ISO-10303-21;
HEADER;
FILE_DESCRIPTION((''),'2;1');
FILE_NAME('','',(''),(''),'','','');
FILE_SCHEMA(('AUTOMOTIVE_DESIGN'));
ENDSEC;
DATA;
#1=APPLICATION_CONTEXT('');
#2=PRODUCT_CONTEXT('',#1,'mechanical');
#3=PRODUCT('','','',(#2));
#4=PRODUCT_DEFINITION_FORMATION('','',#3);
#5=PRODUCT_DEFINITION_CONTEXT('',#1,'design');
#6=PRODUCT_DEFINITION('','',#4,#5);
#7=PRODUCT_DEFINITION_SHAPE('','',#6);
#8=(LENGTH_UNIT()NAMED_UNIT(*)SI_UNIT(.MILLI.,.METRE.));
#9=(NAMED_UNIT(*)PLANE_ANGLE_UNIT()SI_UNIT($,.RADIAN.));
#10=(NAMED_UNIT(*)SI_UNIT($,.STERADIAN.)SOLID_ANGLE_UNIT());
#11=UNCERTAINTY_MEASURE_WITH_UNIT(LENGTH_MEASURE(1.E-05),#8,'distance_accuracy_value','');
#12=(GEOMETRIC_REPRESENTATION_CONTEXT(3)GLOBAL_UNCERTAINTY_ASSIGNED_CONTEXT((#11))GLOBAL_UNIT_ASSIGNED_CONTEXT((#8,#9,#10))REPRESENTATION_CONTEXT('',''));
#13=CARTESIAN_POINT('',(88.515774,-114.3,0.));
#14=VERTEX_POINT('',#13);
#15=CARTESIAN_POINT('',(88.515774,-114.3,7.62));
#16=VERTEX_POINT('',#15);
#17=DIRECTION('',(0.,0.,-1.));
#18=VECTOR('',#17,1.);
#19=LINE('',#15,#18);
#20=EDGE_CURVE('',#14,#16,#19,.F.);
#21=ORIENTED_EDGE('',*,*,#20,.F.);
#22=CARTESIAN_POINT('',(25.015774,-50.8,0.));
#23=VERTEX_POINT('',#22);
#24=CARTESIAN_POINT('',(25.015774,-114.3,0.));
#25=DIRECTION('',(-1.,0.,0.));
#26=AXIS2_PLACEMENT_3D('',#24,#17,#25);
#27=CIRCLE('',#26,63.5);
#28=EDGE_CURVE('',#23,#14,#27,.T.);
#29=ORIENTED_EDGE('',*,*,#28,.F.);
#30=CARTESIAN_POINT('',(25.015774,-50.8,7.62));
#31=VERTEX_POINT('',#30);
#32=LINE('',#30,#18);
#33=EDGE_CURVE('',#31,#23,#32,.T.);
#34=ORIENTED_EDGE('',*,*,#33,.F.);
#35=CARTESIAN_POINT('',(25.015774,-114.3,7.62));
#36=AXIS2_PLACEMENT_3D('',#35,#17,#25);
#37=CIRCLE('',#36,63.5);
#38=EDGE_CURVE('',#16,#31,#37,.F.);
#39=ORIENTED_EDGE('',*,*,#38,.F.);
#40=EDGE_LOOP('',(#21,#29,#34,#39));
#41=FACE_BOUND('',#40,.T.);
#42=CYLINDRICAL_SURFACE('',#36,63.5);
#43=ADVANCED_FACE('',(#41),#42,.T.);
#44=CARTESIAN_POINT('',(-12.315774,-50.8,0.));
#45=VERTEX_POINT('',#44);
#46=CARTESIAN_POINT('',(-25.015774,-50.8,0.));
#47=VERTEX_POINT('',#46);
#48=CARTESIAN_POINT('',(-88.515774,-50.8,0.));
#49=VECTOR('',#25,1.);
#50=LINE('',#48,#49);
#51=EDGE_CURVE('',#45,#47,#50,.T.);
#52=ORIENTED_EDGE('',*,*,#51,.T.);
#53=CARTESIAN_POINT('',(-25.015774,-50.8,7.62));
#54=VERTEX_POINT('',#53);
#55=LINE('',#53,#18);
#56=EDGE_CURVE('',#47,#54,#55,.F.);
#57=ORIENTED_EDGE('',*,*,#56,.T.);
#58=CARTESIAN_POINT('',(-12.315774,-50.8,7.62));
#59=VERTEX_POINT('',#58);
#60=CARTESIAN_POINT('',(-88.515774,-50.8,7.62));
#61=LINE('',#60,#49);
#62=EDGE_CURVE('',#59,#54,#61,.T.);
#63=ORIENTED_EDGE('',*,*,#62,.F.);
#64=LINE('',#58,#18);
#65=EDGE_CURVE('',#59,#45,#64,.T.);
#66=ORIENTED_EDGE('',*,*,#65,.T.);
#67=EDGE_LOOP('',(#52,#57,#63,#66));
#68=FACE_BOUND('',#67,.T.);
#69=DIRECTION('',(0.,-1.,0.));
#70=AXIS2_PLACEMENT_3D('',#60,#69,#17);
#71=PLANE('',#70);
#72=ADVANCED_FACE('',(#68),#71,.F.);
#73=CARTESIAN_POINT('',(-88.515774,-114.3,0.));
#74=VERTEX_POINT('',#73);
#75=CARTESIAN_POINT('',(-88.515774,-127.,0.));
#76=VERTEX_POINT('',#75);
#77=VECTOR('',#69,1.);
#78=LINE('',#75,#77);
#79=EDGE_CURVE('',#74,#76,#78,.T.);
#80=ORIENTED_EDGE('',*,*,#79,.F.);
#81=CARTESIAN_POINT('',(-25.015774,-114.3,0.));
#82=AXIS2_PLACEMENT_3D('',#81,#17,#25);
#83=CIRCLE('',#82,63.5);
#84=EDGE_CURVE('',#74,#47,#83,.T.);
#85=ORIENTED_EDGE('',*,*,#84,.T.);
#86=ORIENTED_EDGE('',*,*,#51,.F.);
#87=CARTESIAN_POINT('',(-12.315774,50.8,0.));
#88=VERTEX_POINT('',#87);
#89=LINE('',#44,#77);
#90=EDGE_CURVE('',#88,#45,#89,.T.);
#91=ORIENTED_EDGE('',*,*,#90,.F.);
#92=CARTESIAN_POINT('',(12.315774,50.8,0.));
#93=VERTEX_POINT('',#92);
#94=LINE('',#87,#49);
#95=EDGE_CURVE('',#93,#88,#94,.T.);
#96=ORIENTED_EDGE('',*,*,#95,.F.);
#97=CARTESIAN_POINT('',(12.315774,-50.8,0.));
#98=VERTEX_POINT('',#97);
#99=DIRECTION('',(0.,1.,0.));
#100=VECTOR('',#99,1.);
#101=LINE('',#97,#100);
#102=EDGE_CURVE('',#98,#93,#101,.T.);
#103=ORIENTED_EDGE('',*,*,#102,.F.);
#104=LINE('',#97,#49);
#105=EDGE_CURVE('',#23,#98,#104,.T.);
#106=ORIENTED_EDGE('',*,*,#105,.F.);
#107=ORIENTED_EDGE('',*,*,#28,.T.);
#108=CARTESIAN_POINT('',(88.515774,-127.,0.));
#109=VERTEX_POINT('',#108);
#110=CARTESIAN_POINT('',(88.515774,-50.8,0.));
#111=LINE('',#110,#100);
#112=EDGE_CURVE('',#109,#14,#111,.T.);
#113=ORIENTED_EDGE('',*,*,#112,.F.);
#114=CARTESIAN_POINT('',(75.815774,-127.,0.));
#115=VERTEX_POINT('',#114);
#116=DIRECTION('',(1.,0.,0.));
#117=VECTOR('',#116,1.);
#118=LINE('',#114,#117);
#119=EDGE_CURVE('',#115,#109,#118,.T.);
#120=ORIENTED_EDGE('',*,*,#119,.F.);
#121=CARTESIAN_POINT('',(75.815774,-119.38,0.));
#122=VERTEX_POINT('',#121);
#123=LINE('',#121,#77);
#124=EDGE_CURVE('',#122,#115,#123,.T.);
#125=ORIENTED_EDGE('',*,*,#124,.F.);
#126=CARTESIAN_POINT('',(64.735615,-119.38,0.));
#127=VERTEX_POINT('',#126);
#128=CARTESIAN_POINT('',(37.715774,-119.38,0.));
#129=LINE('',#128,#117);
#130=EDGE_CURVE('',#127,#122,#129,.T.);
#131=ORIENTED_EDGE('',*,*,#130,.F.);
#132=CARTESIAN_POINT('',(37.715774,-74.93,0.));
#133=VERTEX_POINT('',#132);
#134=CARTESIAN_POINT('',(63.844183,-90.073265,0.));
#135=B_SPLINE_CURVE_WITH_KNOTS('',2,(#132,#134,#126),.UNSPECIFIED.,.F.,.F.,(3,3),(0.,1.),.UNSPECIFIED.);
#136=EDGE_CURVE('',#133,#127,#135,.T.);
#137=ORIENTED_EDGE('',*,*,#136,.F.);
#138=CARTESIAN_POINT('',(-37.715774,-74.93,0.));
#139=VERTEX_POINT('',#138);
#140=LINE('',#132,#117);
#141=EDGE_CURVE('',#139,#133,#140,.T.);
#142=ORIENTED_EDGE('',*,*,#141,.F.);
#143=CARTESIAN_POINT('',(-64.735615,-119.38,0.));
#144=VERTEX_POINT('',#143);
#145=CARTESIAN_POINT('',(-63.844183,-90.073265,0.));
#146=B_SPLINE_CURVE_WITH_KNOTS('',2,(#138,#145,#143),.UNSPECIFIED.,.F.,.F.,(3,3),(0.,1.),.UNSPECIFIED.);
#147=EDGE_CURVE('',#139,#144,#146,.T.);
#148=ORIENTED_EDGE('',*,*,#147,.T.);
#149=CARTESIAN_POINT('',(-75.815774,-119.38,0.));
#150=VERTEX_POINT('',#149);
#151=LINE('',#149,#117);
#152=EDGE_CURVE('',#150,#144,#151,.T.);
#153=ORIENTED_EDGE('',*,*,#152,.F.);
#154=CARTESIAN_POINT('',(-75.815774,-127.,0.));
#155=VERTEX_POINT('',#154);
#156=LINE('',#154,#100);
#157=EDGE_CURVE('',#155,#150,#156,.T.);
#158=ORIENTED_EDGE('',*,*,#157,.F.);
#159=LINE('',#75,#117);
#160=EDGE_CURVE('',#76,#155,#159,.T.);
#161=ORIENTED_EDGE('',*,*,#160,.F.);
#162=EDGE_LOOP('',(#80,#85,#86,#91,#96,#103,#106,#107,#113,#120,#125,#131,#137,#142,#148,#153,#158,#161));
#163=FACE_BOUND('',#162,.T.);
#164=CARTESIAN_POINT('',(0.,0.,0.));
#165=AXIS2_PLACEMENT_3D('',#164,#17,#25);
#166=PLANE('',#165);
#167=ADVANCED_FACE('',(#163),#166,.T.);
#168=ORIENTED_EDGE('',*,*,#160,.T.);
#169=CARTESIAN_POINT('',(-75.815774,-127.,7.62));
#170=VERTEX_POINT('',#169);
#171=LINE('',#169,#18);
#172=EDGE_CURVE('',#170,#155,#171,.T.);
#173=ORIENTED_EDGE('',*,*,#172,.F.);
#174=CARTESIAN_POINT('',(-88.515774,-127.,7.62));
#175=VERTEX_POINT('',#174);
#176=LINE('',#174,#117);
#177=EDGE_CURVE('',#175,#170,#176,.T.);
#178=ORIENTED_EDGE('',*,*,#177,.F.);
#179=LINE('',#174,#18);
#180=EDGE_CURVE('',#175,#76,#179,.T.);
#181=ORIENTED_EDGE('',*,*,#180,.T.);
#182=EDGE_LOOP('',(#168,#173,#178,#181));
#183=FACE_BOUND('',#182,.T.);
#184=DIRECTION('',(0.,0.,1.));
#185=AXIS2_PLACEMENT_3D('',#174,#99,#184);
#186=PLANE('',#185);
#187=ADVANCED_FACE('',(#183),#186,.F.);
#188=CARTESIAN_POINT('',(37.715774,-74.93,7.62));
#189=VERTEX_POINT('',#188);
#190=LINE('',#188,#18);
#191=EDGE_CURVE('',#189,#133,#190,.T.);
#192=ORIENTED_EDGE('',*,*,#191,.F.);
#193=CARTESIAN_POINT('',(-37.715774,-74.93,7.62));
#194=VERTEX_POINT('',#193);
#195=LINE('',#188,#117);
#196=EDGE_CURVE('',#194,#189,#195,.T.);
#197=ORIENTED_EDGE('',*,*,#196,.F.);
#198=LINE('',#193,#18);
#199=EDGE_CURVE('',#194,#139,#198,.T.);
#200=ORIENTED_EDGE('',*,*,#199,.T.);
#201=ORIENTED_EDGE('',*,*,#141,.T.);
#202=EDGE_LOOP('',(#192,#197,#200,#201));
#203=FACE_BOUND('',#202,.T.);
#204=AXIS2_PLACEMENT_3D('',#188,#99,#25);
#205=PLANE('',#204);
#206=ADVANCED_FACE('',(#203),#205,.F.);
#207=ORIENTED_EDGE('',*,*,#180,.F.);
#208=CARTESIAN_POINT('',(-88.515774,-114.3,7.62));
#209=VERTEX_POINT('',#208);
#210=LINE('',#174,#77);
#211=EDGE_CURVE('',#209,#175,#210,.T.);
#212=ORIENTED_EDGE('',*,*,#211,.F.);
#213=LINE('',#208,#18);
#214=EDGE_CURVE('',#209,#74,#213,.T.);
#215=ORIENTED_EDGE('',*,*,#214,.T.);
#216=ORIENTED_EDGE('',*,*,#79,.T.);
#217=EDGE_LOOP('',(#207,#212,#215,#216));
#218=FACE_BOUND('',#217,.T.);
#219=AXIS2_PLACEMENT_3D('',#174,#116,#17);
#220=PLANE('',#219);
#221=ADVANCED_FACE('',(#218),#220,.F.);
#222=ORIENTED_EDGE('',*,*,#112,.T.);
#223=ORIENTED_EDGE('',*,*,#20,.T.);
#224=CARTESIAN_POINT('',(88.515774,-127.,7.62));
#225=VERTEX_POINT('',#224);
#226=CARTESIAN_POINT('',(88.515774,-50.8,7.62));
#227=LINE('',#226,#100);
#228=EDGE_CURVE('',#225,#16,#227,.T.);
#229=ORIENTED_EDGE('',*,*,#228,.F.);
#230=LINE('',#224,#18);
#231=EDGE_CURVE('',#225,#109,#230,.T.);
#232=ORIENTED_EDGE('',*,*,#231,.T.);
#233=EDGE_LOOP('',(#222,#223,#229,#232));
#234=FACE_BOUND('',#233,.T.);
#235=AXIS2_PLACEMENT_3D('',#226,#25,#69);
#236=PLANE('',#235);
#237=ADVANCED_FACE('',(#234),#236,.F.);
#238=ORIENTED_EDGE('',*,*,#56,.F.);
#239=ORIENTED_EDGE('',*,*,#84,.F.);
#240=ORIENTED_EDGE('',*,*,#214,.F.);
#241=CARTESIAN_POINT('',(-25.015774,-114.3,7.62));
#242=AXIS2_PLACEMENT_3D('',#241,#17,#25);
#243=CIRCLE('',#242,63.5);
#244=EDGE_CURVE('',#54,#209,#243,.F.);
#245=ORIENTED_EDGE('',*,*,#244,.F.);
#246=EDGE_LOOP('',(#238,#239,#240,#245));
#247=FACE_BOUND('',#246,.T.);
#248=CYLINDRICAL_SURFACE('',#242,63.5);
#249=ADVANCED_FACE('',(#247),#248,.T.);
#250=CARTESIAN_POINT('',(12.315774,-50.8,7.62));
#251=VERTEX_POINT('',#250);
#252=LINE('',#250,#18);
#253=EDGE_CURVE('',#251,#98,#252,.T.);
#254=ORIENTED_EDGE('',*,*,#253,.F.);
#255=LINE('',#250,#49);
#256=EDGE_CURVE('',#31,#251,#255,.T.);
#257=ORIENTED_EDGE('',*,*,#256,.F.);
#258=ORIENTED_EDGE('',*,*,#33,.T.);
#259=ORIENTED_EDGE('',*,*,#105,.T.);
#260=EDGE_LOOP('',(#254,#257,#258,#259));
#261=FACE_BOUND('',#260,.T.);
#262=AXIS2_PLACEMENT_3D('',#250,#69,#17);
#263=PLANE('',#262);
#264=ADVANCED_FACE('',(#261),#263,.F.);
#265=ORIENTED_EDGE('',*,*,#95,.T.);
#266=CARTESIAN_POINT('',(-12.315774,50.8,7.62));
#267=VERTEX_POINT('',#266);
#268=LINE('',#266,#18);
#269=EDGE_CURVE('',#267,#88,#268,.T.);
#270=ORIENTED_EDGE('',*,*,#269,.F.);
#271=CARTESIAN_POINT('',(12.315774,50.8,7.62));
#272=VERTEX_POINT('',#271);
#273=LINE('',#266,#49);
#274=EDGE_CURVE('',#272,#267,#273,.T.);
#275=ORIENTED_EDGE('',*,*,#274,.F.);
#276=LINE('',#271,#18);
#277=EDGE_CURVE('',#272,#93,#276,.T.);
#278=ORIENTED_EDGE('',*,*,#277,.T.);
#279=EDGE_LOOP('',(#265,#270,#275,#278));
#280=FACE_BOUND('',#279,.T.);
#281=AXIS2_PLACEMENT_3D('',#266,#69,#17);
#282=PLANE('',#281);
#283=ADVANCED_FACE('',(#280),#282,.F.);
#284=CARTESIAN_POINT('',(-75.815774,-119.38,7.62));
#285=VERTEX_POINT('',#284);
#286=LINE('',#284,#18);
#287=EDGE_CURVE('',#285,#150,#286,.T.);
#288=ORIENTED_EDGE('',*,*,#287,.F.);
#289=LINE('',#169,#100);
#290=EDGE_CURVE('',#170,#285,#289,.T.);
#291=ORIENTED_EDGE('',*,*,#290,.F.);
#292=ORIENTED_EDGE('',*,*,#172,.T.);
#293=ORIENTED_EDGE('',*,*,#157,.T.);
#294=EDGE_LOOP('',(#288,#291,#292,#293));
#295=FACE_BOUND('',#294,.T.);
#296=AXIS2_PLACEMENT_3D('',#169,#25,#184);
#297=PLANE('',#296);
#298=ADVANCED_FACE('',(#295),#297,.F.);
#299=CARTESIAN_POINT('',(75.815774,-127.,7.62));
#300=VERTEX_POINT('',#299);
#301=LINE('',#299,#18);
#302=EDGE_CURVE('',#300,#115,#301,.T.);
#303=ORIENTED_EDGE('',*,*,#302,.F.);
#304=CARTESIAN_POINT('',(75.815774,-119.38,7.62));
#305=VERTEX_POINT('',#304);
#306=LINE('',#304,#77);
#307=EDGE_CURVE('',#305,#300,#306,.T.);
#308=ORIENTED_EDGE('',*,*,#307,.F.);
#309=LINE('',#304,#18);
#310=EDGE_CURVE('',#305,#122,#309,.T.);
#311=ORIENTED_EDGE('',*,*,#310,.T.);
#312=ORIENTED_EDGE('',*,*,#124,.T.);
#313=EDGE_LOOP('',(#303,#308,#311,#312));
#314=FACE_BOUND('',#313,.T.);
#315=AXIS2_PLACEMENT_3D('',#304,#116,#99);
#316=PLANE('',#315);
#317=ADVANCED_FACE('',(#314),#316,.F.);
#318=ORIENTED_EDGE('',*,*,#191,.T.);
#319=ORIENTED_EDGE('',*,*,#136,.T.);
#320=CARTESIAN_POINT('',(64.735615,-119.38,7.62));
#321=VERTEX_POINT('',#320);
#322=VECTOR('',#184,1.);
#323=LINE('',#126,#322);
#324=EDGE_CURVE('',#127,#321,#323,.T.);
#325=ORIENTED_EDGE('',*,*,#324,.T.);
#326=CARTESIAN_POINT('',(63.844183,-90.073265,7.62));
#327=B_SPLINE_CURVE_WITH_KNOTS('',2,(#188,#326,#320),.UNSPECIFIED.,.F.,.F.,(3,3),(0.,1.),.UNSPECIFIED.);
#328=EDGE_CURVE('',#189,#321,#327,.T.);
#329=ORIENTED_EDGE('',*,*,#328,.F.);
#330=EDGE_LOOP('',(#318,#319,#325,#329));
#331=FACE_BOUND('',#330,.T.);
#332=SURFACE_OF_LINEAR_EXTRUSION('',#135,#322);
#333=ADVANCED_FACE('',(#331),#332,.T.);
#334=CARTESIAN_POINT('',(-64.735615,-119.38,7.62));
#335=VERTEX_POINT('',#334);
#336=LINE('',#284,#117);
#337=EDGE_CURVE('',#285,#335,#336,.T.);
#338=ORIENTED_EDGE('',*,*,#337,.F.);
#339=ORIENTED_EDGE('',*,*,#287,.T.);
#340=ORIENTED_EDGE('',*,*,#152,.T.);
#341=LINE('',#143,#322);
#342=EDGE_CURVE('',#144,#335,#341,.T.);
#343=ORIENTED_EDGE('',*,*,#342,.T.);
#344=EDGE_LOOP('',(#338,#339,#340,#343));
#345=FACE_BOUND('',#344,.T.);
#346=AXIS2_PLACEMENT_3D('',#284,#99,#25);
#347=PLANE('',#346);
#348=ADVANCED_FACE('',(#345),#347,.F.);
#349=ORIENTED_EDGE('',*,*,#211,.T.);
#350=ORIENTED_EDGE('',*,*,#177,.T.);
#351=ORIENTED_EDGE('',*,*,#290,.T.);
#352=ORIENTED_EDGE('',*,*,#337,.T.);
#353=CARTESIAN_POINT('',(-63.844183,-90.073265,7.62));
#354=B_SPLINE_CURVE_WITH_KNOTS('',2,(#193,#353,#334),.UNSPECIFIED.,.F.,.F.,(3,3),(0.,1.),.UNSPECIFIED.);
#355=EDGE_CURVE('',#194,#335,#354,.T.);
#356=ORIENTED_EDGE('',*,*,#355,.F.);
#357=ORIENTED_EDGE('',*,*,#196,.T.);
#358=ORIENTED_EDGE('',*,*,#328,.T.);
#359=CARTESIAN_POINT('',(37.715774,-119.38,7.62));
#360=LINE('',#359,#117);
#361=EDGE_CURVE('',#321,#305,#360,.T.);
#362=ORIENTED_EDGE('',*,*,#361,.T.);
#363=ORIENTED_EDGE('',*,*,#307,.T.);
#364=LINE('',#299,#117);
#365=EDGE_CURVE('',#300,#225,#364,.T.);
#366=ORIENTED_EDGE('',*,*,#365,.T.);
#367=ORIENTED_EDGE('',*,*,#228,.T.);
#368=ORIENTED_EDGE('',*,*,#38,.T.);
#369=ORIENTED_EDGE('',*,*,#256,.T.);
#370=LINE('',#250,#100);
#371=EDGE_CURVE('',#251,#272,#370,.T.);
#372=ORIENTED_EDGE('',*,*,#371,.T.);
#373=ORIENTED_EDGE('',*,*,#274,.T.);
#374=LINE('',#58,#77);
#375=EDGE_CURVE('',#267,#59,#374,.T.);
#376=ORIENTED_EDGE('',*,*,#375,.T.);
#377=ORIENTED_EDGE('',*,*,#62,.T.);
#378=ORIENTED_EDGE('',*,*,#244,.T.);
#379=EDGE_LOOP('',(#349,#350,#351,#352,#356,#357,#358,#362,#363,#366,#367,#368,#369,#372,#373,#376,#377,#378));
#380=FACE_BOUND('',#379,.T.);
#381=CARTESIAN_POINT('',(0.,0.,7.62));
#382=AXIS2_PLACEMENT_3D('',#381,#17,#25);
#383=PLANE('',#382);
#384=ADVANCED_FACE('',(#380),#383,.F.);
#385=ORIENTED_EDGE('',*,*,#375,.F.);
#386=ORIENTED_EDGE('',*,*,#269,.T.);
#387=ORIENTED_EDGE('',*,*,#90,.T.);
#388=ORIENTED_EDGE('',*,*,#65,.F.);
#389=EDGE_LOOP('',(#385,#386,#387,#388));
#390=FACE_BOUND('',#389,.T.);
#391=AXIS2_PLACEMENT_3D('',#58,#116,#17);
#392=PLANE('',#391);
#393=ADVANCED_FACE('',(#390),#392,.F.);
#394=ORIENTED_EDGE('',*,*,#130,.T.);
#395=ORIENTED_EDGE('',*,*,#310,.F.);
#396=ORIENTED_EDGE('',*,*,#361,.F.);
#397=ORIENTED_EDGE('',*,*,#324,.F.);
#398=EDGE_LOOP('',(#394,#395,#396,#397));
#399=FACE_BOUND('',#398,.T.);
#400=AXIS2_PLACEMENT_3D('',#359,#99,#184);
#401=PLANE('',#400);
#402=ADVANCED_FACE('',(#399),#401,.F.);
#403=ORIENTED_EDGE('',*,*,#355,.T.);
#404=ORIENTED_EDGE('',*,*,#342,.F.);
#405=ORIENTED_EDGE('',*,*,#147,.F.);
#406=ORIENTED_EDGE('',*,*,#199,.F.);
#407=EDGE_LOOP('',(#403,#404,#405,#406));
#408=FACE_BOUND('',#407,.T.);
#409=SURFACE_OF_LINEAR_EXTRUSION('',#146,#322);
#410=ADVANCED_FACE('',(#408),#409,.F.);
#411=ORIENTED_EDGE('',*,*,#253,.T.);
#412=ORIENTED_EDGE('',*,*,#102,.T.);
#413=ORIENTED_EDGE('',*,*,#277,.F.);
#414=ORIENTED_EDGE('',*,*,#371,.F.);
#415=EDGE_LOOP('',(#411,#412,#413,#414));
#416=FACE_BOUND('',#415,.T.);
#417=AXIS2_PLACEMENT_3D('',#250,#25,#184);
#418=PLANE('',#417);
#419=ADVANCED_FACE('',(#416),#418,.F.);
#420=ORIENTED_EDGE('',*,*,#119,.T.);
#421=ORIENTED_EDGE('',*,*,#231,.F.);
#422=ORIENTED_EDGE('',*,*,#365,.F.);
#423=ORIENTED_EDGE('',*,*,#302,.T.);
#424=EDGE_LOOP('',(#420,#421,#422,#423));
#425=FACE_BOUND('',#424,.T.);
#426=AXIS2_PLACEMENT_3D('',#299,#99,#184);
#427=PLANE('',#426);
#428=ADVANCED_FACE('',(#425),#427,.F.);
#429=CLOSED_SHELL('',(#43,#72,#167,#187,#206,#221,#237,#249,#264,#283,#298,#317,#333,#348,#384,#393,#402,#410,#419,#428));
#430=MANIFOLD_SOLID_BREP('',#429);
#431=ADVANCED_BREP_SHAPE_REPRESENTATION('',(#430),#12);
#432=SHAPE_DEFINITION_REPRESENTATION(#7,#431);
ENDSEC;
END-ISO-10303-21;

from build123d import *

# Parameters (mm, degrees)
BOSS_EXTRUDE1_DEPTH = 7.62
FILLET1_R           = 63.5
CUT_EXTRUDE1_DEPTH  = 155.990666284


with BuildPart() as part:
    # Sketch2 → Boss-Extrude1 (new body)
    with BuildSketch(Plane.XY):
        Polygon((12.315773934, -50.8), (88.515773934, -50.8), (88.515773934, -127), (75.815773934, -127), (75.815773934, -119.38), (37.715773934, -119.38), (37.715773934, -74.93), (-37.715773934, -74.93), (-37.715773934, -119.38), (-75.815773934, -119.38), (-75.815773934, -127), (-88.515773934, -127), (-88.515773934, -50.8), (-12.315773934, -50.8), (-12.315773934, 50.8), (12.315773934, 50.8), align=None)
    extrude(amount=BOSS_EXTRUDE1_DEPTH)

    # Fillet1
    fillet1_edges = [part.edges().sort_by_distance(p)[0] for p in [
        (88.515773934, -50.8, 3.81),
        (-88.515773934, -50.8, 3.81),
    ]]
    fillet(fillet1_edges, radius=FILLET1_R)

    # Sketch3 → Cut-Extrude1 (cut, through all)
    with BuildSketch(Plane.XY.offset(7.62)):
        with BuildLine():
            Line((-37.715773934, -74.93), (-37.715773934, -119.38))
            Line((-37.715773934, -119.38), (-64.735615427, -119.38))
            add(Edge.make_bspline(
                [(-64.735615427, -119.38), (-63.844183293, -90.073264765), (-37.715773934, -74.93)],
                knots=[0, 0, 0, 1, 1, 1], degree=2))
        make_face()
    cut_extrude1 = extrude(amount=-CUT_EXTRUDE1_DEPTH, mode=Mode.SUBTRACT)

    # Mirror1: Cut-Extrude1 across plane
    add(cut_extrude1.mirror(Plane.ZY), mode=Mode.SUBTRACT)


solid = part.part
